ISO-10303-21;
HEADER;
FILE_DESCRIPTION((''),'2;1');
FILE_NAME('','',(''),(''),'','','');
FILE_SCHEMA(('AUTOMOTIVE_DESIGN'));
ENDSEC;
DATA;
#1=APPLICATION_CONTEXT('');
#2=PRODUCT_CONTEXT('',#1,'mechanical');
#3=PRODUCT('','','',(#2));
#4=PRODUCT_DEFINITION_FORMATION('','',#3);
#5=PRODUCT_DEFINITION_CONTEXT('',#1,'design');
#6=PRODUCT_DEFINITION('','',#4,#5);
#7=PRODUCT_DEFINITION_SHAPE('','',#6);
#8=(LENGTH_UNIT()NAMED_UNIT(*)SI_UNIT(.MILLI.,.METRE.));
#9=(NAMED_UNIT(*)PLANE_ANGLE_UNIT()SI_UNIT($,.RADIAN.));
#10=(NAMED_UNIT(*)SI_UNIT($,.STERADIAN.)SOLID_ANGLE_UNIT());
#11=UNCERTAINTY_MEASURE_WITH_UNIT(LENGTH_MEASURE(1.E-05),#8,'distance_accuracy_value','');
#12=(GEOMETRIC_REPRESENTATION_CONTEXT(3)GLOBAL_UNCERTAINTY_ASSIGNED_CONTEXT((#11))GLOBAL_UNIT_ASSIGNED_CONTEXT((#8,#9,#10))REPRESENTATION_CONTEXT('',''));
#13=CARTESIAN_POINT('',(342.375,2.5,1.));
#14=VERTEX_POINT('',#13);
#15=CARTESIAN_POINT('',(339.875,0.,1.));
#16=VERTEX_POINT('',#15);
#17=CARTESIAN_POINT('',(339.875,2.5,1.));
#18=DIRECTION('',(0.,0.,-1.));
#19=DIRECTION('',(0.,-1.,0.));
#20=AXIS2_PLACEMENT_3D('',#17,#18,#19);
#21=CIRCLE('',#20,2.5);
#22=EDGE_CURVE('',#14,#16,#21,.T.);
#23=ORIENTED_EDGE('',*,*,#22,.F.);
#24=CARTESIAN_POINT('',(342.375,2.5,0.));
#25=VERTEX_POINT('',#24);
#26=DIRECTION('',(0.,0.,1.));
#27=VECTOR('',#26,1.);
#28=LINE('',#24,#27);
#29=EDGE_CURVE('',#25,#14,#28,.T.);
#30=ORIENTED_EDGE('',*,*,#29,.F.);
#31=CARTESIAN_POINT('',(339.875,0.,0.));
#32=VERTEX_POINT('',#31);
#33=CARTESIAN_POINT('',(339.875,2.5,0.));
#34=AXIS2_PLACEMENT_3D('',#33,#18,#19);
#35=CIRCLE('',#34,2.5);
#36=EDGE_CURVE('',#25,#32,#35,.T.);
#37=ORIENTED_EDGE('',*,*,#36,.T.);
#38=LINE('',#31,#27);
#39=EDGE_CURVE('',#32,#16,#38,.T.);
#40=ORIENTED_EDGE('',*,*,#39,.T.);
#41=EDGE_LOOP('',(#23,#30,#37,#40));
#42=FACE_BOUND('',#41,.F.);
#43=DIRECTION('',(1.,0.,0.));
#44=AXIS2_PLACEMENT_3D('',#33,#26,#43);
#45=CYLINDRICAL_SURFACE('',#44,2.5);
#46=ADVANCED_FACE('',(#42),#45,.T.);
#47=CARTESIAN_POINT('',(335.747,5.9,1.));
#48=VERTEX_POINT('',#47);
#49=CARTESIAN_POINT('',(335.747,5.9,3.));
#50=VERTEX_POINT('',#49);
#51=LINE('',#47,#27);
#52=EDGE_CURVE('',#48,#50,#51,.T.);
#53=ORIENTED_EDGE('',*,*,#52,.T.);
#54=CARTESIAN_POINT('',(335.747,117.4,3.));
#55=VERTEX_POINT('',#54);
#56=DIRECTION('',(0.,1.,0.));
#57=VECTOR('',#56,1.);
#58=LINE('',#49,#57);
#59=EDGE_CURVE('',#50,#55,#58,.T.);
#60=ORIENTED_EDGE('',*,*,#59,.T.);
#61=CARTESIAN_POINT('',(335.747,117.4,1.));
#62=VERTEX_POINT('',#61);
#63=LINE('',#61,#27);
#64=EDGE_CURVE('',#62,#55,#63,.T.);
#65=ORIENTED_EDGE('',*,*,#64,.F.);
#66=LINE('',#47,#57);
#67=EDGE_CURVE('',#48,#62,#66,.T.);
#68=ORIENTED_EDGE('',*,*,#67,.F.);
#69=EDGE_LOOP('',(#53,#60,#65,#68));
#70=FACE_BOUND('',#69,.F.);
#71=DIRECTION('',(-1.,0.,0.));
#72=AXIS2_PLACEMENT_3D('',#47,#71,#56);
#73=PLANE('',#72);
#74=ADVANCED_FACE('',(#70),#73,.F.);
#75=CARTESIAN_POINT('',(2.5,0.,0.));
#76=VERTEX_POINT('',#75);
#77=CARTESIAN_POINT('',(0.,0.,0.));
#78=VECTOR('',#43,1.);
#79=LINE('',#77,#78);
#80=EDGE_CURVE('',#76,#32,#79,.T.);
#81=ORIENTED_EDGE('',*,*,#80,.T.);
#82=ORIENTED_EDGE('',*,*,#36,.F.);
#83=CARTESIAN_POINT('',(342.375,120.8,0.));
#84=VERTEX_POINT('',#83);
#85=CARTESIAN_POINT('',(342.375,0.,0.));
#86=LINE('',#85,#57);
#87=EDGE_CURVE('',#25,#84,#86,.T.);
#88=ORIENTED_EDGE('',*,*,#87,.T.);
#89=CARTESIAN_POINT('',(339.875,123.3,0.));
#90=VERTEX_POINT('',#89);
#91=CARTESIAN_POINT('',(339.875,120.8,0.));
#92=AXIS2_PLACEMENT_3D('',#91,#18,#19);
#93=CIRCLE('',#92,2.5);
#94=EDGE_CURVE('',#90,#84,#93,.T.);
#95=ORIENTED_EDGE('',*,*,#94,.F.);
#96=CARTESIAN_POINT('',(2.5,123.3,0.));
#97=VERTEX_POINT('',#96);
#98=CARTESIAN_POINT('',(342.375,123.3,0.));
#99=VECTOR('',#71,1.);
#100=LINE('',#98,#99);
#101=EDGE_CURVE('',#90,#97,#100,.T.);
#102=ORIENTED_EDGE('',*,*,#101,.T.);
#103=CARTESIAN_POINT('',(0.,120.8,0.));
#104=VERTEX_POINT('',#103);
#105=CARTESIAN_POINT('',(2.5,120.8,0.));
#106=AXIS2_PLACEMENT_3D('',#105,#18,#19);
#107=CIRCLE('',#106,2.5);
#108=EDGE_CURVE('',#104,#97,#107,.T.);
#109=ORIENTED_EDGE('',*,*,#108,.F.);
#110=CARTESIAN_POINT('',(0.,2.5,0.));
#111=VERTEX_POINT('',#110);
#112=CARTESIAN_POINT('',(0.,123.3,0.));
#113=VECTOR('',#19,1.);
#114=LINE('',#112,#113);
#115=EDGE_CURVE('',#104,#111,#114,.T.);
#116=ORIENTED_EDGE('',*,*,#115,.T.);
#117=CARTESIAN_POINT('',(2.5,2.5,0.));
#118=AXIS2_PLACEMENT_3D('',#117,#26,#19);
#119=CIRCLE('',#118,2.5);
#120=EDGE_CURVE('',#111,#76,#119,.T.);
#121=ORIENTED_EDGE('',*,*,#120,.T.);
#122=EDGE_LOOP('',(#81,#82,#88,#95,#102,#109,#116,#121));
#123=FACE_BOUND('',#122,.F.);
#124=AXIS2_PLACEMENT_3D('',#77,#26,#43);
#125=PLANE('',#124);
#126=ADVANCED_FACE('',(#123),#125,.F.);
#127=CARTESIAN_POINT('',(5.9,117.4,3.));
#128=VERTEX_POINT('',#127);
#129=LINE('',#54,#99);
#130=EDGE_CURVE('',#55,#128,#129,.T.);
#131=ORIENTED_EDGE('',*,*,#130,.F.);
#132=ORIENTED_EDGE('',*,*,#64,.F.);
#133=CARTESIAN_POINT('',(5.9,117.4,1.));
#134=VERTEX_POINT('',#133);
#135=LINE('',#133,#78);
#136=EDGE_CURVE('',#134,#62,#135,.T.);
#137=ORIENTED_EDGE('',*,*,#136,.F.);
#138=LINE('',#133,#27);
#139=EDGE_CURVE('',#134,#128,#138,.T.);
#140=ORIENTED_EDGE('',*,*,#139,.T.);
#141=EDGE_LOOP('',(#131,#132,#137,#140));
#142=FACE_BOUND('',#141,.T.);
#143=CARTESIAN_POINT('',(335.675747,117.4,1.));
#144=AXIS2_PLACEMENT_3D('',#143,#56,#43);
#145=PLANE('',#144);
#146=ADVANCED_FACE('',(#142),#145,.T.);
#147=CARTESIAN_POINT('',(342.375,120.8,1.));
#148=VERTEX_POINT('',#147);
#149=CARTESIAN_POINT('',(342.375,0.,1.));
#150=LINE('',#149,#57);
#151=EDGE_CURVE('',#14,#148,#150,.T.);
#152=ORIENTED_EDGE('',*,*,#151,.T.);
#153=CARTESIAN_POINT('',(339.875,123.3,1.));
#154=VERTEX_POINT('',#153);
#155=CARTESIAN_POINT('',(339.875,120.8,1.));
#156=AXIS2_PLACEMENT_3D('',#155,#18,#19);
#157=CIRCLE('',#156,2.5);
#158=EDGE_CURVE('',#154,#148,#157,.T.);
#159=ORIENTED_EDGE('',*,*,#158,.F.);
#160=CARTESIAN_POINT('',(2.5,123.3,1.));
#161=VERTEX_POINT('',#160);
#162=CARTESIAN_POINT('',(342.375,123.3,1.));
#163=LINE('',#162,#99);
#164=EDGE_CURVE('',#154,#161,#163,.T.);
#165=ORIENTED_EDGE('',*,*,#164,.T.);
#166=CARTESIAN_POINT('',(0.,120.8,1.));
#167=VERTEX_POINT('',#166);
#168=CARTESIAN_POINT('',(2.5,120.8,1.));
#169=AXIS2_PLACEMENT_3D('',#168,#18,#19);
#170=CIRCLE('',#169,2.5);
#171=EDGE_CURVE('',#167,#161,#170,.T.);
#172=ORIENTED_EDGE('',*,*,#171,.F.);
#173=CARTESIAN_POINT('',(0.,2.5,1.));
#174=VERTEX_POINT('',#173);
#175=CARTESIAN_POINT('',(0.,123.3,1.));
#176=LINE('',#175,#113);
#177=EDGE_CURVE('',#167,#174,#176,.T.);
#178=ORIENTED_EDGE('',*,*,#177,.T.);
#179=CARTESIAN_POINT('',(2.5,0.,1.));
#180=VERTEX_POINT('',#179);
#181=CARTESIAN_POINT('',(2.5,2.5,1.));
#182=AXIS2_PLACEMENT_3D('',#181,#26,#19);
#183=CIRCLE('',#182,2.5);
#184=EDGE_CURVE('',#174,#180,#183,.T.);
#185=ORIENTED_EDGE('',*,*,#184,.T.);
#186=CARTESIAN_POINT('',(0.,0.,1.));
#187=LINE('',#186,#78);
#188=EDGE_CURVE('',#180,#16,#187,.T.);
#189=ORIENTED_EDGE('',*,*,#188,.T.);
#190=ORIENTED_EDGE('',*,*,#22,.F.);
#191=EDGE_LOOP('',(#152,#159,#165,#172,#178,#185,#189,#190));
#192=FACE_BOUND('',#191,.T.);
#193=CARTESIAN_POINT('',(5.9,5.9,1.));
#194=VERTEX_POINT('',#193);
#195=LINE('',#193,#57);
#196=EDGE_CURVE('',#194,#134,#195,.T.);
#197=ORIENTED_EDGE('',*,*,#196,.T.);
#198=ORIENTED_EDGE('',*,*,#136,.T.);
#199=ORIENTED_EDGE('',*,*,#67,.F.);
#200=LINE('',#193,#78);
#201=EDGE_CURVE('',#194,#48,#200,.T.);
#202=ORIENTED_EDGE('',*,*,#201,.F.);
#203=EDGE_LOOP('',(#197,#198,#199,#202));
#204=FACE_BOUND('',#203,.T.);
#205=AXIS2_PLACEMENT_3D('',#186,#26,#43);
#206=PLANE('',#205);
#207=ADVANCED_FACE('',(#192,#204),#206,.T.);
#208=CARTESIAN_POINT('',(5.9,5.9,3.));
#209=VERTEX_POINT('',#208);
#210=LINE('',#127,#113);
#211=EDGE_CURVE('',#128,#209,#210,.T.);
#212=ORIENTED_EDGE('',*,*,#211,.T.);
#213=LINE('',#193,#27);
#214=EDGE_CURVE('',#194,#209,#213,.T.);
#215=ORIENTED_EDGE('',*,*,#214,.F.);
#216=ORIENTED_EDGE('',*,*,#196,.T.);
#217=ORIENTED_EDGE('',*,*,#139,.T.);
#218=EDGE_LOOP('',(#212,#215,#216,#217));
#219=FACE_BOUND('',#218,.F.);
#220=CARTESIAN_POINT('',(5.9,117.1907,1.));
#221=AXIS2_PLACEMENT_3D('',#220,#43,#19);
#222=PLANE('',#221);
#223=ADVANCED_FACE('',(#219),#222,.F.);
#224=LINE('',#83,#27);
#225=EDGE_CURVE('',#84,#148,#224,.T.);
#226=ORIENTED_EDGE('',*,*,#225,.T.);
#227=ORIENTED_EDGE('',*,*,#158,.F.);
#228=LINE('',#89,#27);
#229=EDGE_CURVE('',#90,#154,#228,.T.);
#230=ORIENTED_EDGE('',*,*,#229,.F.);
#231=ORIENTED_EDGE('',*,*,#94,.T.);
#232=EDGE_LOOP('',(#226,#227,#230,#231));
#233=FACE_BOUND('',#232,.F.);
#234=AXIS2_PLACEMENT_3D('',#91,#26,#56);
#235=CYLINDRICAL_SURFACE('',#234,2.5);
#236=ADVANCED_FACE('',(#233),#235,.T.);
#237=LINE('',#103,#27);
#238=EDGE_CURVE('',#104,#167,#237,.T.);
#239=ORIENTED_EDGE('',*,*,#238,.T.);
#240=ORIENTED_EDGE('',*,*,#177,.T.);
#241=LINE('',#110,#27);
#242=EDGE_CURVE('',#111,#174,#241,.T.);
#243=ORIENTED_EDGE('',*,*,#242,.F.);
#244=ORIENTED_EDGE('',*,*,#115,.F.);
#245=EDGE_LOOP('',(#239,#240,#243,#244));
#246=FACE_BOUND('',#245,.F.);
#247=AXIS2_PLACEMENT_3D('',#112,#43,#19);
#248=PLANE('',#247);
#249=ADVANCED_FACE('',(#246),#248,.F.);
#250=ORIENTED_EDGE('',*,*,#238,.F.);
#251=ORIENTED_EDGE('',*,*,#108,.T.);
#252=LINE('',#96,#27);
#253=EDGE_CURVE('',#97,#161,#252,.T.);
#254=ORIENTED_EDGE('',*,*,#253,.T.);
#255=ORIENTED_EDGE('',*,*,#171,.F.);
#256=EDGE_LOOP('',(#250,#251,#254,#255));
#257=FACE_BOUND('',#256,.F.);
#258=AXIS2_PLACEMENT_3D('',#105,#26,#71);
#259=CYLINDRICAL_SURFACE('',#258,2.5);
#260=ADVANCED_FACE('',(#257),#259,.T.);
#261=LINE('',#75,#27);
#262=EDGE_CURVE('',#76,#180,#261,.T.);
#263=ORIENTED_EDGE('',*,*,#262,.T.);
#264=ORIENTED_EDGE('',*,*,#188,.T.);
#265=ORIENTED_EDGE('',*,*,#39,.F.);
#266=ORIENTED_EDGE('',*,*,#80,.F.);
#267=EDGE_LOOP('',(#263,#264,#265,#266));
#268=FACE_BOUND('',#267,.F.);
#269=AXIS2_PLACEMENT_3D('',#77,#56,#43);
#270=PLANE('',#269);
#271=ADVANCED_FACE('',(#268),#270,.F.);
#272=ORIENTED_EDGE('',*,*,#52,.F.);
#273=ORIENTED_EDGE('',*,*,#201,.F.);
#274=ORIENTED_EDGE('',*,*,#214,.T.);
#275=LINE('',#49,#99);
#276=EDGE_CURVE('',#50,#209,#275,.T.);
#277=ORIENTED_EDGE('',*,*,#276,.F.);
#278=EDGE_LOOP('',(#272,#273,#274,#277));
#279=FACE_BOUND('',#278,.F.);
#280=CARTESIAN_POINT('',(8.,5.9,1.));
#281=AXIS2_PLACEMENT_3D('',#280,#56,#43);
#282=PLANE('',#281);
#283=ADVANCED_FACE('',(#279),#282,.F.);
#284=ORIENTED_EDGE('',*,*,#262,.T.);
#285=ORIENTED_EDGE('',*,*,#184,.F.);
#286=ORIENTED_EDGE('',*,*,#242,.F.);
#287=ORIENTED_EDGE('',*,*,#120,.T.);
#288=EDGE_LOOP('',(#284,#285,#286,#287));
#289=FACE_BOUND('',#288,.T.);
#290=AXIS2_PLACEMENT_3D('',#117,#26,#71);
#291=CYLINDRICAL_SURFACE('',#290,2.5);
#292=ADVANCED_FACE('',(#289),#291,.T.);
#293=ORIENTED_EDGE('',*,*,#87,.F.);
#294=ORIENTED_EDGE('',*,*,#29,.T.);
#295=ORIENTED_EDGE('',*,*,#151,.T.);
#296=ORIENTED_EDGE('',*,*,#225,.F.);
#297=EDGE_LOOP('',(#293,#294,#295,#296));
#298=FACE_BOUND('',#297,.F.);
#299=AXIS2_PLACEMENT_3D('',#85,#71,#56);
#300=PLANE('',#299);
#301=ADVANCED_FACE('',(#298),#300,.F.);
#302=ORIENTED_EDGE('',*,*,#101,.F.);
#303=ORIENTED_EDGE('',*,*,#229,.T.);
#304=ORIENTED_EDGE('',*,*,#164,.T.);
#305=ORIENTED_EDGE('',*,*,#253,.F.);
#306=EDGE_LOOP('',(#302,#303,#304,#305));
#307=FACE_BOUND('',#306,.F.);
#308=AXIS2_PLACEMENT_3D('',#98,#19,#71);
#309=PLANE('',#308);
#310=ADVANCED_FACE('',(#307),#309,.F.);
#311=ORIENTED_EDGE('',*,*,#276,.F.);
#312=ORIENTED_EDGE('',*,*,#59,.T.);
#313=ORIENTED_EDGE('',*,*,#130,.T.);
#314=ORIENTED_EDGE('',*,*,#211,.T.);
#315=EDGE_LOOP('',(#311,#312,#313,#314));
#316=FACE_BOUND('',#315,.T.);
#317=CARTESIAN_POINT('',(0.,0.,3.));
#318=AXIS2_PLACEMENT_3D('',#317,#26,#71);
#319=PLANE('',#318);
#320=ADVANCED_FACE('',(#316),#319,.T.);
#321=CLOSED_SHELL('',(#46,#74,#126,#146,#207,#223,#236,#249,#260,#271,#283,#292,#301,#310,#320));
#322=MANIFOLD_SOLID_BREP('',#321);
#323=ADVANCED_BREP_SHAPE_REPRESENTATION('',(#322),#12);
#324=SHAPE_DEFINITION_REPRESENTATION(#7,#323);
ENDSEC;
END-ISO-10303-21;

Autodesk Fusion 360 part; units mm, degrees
sketch "Sketch1" plane through (0, 0, 0) normal (0, 0, 1) x (1, 0, 0)
  line L0 (0, 0) -> (342.375, 0)
  line L1 (342.375, 0) -> (342.375, 123.3)
  line L2 (342.375, 123.3) -> (0, 123.3)
  line L3 (0, 123.3) -> (0, 0)
  dimension "d1" = 342.375
  dimension "d2" = 123.3
extrude "Extrude1" add sketch "Sketch1" along normal blind 1
fillet "Fillet1" radius 2.5 4 edges at (0, 0, 0.5) (342.375, 0, 0.5) (342.375, 123.3, 0.5) (0, 123.3, 0.5)
sketch "Sketch2" plane through (0, 0, 1) normal (0, 0, 1) x (-1, 0, 0)
  arc A0 (-2.5, -123.3) -> (0, -120.8) centre (-2.5, -120.8) ccw
  line L0 (0, -120.8) -> (0, -2.5)
  arc A1 (0, -2.5) -> (-2.5, 0) centre (-2.5, -2.5) ccw
  line L1 (-2.5, 0) -> (-339.875, 0)
  arc A2 (-339.875, 0) -> (-342.375, -2.5) centre (-339.875, -2.5) ccw
  line L2 (-342.375, -2.5) -> (-342.375, -120.8)
  arc A3 (-342.375, -120.8) -> (-339.875, -123.3) centre (-339.875, -120.8) ccw
  line L3 (-339.875, -123.3) -> (-2.5, -123.3)
  line L4 (-5.5, -117.8) -> (-5.5, -5.5) construction
  line L5 (-5.5, -5.5) -> (-336.147, -5.5) construction
  line L6 (-5.5, -117.8) -> (-336.856, -117.8) construction
  line L7 (-336.147, -5.5) -> (-336.856, -117.8) construction
  line L8 (-336.147, -5.5) -> (-5.5, -117.8)
  line L9 (-5.5, -5.5) -> (-336.856, -117.8)
  line L10 (-5.9, -117.1907) -> (-5.9, -117.4)
  line L11 (-7.5002, -117.4) -> (-5.9, -117.4)
  line L12 (-8, -5.9) -> (-5.9, -5.9)
  line L13 (-5.9, -117.1907) -> (-5.9, -5.9)
  line L14 (-5.9, 0) -> (-5.9, 15)
  line L15 (-7.5002, -117.4) -> (-335.747, -117.4)
  line L16 (-8, -5.9) -> (-335.747, -5.9)
  line L17 (-335.747, -5.9) -> (-335.747, -117.4242)
  dimension "d7" = 5.5
  dimension "d8" = 5.5
  dimension "d9" = 5.5
  dimension "d10" = 6.228
  dimension "d11" = 5.519
  dimension "d16" = 0.4
  dimension "d17" = 0.4
  dimension "d18" = 0.4
extrude "Extrude2" add sketch "Sketch2" along normal blind 2 contours L8 L9 L12 L16 | L8 L9 L15 L16 L17 | L8 L9 L10 L11 L12 L13 | L8 L9 L11 L15
sketch "Sketch3" plane through (0, 0, 1) normal (0, 0, 1) x (-1, 0, 0)
  line L0 (-5.9, -5.9) -> (-5.9, -117.4)
  line L1 (-5.9, -117.4) -> (-335.747, -117.4)
  line L2 (-335.747, -117.4) -> (-335.747, -5.9)
  line L3 (-335.747, -5.9) -> (-5.9, -5.9)
  arc A0 (-2.5, -123.3) -> (0, -120.8) centre (-2.5, -120.8) ccw
  line L4 (0, -120.8) -> (0, -2.5)
  arc A1 (0, -2.5) -> (-2.5, 0) centre (-2.5, -2.5) ccw
  line L5 (-2.5, 0) -> (-339.875, 0)
  arc A2 (-339.875, 0) -> (-342.375, -2.5) centre (-339.875, -2.5) ccw
  line L6 (-342.375, -2.5) -> (-342.375, -120.8)
  arc A3 (-342.375, -120.8) -> (-339.875, -123.3) centre (-339.875, -120.8) ccw
  line L7 (-339.875, -123.3) -> (-2.5, -123.3)
  line L8 (-6.2203, -99.9759) -> (-6.2199, -118.8)
  line L9 (-6.2246, -4.5) -> (-6.2082, -61.8661)
  line L10 (-6.2082, -61.8661) -> (-6.2095, -61.8663)
  line L11 (0.0269, -120.8) -> (-0.7247, -2.5)
  line L12 (-125.03, -5.5) -> (-14.265, -5.5)
  line L13 (-14.2649, -117.8) -> (-73.858, -117.8)
  line L14 (-14.265, -4.5) -> (-6.2246, -4.5)
  line L15 (-14.265, -5.5) -> (-6.2247, -5.5)
  line L16 (-14.2649, -117.8004) -> (-6.2199, -117.8002)
  arc A4 (-2.4783, -123.3004) -> (0.0269, -120.8) centre (-2.459, -120.8147) ccw
  line L17 (-6.2095, -61.8663) -> (-6.2054, -78.9217)
  line L18 (-133.07, -5.5) -> (-133.07, -4.5)
  line L19 (-73.858, -117.8) -> (-73.858, -118.8)
  line L20 (-81.898, -118.8) -> (-81.898, -117.8)
  arc A5 (-0.7247, -2.5) -> (-3.225, 0) centre (-3.2248, -2.5001) ccw
  line L21 (-332.837, -117.8) -> (-333.8375, -117.8)
  line L22 (-332.8375, -4) -> (-332.8375, -2.5)
  line L23 (-332.837, -4) -> (-310.8413, -4)
  line L24 (-73.858, -117.8003) -> (-73.858, -118.8)
  line L25 (-73.858, -118.8) -> (-81.898, -118.8)
  line L26 (-340.62, -123.2958) -> (-335.838, -123.3)
  line L27 (-81.898, -118.8) -> (-81.898, -117.8)
  line L28 (-332.837, -118.8) -> (-332.837, -117.8)
  line L29 (-333.8375, -118.8) -> (-333.838, -118.8)
  arc A6 (-343.1178, -120.7937) -> (-340.62, -123.2958) centre (-340.6178, -120.7958) ccw
  line L30 (-247.164, -117.8) -> (-324.797, -117.8)
  line L31 (-296.48, -4.5) -> (-296.48, -5.5)
  line L32 (-333.8375, -117.8) -> (-333.8375, -118.8)
  line L33 (-337.5995, -117.8) -> (-337.5995, -4)
  line L34 (-333.838, -117.8) -> (-337.5995, -117.8)
  line L35 (-247.164, -118.8) -> (-247.164, -117.8)
  line L36 (-324.797, -118.8) -> (-332.837, -118.8)
  line L37 (-333.838, -118.8) -> (-333.838, -117.8)
  line L38 (-324.797, -117.8) -> (-324.797, -118.8)
  line L39 (-3.225, 0) -> (-340.5995, 0)
  line L40 (-343.0995, -99.75) -> (-343.1178, -120.7937)
  line L41 (-6.2083, -80.9225) -> (-6.2049, -97.9745)
  line L42 (-6.2062, -99.9739) -> (-6.2203, -99.9759)
  line L43 (-6.2065, -80.9222) -> (-6.2083, -80.9225)
  line L44 (-310.8413, -4) -> (-310.8413, -5.5)
  line L45 (-343.0995, -2.5) -> (-343.0995, -99.75)
  arc A7 (-0.7247, -2.5) -> (-3.225, 0.0001) centre (-3.2248, -2.5001) ccw
  line L46 (-6.2054, -78.9217) -> (-6.207, -78.922)
  line L47 (-332.837, -2.5) -> (-332.837, -4)
  line L48 (-337.5995, -4) -> (-332.8375, -4)
  line L49 (-304.52, -5.5) -> (-304.52, -4.5)
  arc A8 (-340.5995, 0) -> (-343.0995, -2.5) centre (-340.5995, -2.5) ccw
  line L50 (-335.838, -123.3) -> (-2.4783, -123.3004)
  line L51 (-310.8413, -5.5) -> (-304.52, -5.5)
  line L52 (-6.2083, -61.8661) -> (-6.2095, -61.8663)
  line L53 (-304.52, -4.5) -> (-296.48, -4.5)
  line L54 (-296.48, -5.5) -> (-133.07, -5.5)
  line L55 (-332.8375, -2.5) -> (-332.837, -2.5)
  line L56 (-14.265, -5.5) -> (-14.265, -4.5)
  line L57 (-14.265, -4.5) -> (-6.225, -4.5)
  line L58 (-6.2095, -61.8663) -> (-6.2054, -78.9217)
  line L59 (-6.225, -4.5) -> (-6.2083, -61.8661)
  line L60 (-81.898, -117.8) -> (-239.124, -117.8)
  line L61 (-337.5995, -117.8) -> (-337.5995, -4)
  line L62 (-3.225, 0.0001) -> (-340.5995, 0)
  line L63 (-335.838, -123.3) -> (-2.4783, -123.3)
  line L64 (-247.164, -117.8) -> (-324.797, -117.8)
  line L65 (-296.48, -5.5) -> (-133.07, -5.5)
  line L66 (-14.2649, -117.8004) -> (-73.858, -117.8003)
  line L67 (-6.2203, -99.9759) -> (-6.2199, -118.8)
  line L68 (-6.2065, -80.9222) -> (-6.2083, -80.9225)
  line L69 (-6.207, -78.922) -> (-6.2065, -80.9222)
  line L70 (-6.2083, -80.9225) -> (-6.2049, -97.9745)
  line L71 (-6.2049, -97.9745) -> (-6.2066, -97.9748)
  line L72 (-6.2066, -97.9748) -> (-6.2062, -99.9739)
  line L73 (-14.2649, -118.8) -> (-14.2649, -117.8004)
  arc A9 (-2.4783, -123.3) -> (0.0217, -120.8) centre (-2.4626, -120.8157) ccw
  line L74 (-125.03, -5.5) -> (-14.265, -5.5)
  line L75 (-6.2199, -118.8) -> (-14.2649, -118.8)
  line L76 (0.0217, -120.8) -> (-0.7247, -2.5)
  line L77 (-6.2062, -99.9739) -> (-6.2203, -99.9759)
  line L78 (-247.164, -118.8) -> (-247.164, -117.8)
  line L79 (-239.124, -118.8) -> (-247.164, -118.8)
  line L80 (-333.838, -118.8) -> (-333.838, -117.8)
  line L81 (-310.8413, -4) -> (-310.8413, -5.5)
  line L82 (-333.8375, -118.8) -> (-333.838, -118.8)
  line L83 (-333.8375, -117.8) -> (-333.8375, -118.8)
  line L84 (-332.8375, -4) -> (-332.8375, -2.5)
  line L85 (-332.837, -4) -> (-310.8413, -4)
  line L86 (-332.837, -117.8) -> (-333.8375, -117.8)
  line L87 (-332.837, -118.8) -> (-332.837, -117.8)
  line L88 (-332.8375, -2.5) -> (-332.837, -2.5)
  line L89 (-324.797, -118.8) -> (-332.837, -118.8)
  line L90 (-239.124, -117.8) -> (-239.124, -118.8)
  line L91 (-324.797, -117.8) -> (-324.797, -118.8)
  line L92 (-333.838, -117.8) -> (-337.5995, -117.8)
  line L93 (-296.48, -4.5) -> (-296.48, -5.5)
  line L94 (-332.837, -2.5) -> (-332.837, -4)
  arc A10 (-343.1178, -120.7937) -> (-340.62, -123.2958) centre (-340.6178, -120.7958) ccw
  line L95 (-343.0995, -99.75) -> (-343.1178, -120.7937)
  line L96 (-343.0995, -2.5) -> (-343.0995, -99.75)
  line L97 (-304.52, -5.5) -> (-304.52, -4.5)
  line L98 (-337.5995, -4) -> (-332.8375, -4)
  line L99 (-310.8413, -5.5) -> (-304.52, -5.5)
  arc A11 (-340.5995, 0) -> (-343.0995, -2.5) centre (-340.5995, -2.5) ccw
  line L100 (-304.52, -4.5) -> (-296.48, -4.5)
  line L101 (-340.62, -123.2958) -> (-335.838, -123.3)
  line L102 (-6.2066, -97.9748) -> (-6.2062, -99.9739)
  line L103 (-6.2199, -118.8) -> (-14.2649, -118.8)
  line L104 (-14.2649, -118.8) -> (-14.2649, -117.8)
  line L105 (-6.2049, -97.9745) -> (-6.2066, -97.9748)
  line L106 (-6.207, -78.922) -> (-6.2065, -80.9222)
  line L107 (-6.2054, -78.9217) -> (-6.207, -78.922)
  line L108 (-14.265, -5.5) -> (-14.265, -4.5)
  line L109 (-125.03, -4.5) -> (-125.03, -5.5)
  line L110 (-73.858, -118.8) -> (-81.898, -118.8)
  line L111 (-125.03, -4.5) -> (-125.03, -5.5)
  line L112 (-133.07, -4.5) -> (-125.03, -4.5)
  line L113 (-81.898, -117.8) -> (-239.124, -117.8)
  line L114 (-239.124, -117.8) -> (-239.124, -118.8)
  line L115 (-239.124, -118.8) -> (-247.164, -118.8)
  line L116 (-133.07, -5.5) -> (-133.07, -4.5)
  line L117 (-133.07, -4.5) -> (-125.03, -4.5)
  point P0 (-304.5, -5.5)
  dimension "d22" = 5.5
  dimension "d23" = 5.5
  dimension "d24" = 6.2339
  dimension "d25" = 5.5125
  dimension "d26" = 5.5
  dimension "d27" = 6.2276
  dimension "d28" = 5.5188
equation "d1 = 337.375 mm + 2.5 mm + 2.5 mm"
equation "d2 = 118.3 mm + 2.5 mm + 2.5 mm"
